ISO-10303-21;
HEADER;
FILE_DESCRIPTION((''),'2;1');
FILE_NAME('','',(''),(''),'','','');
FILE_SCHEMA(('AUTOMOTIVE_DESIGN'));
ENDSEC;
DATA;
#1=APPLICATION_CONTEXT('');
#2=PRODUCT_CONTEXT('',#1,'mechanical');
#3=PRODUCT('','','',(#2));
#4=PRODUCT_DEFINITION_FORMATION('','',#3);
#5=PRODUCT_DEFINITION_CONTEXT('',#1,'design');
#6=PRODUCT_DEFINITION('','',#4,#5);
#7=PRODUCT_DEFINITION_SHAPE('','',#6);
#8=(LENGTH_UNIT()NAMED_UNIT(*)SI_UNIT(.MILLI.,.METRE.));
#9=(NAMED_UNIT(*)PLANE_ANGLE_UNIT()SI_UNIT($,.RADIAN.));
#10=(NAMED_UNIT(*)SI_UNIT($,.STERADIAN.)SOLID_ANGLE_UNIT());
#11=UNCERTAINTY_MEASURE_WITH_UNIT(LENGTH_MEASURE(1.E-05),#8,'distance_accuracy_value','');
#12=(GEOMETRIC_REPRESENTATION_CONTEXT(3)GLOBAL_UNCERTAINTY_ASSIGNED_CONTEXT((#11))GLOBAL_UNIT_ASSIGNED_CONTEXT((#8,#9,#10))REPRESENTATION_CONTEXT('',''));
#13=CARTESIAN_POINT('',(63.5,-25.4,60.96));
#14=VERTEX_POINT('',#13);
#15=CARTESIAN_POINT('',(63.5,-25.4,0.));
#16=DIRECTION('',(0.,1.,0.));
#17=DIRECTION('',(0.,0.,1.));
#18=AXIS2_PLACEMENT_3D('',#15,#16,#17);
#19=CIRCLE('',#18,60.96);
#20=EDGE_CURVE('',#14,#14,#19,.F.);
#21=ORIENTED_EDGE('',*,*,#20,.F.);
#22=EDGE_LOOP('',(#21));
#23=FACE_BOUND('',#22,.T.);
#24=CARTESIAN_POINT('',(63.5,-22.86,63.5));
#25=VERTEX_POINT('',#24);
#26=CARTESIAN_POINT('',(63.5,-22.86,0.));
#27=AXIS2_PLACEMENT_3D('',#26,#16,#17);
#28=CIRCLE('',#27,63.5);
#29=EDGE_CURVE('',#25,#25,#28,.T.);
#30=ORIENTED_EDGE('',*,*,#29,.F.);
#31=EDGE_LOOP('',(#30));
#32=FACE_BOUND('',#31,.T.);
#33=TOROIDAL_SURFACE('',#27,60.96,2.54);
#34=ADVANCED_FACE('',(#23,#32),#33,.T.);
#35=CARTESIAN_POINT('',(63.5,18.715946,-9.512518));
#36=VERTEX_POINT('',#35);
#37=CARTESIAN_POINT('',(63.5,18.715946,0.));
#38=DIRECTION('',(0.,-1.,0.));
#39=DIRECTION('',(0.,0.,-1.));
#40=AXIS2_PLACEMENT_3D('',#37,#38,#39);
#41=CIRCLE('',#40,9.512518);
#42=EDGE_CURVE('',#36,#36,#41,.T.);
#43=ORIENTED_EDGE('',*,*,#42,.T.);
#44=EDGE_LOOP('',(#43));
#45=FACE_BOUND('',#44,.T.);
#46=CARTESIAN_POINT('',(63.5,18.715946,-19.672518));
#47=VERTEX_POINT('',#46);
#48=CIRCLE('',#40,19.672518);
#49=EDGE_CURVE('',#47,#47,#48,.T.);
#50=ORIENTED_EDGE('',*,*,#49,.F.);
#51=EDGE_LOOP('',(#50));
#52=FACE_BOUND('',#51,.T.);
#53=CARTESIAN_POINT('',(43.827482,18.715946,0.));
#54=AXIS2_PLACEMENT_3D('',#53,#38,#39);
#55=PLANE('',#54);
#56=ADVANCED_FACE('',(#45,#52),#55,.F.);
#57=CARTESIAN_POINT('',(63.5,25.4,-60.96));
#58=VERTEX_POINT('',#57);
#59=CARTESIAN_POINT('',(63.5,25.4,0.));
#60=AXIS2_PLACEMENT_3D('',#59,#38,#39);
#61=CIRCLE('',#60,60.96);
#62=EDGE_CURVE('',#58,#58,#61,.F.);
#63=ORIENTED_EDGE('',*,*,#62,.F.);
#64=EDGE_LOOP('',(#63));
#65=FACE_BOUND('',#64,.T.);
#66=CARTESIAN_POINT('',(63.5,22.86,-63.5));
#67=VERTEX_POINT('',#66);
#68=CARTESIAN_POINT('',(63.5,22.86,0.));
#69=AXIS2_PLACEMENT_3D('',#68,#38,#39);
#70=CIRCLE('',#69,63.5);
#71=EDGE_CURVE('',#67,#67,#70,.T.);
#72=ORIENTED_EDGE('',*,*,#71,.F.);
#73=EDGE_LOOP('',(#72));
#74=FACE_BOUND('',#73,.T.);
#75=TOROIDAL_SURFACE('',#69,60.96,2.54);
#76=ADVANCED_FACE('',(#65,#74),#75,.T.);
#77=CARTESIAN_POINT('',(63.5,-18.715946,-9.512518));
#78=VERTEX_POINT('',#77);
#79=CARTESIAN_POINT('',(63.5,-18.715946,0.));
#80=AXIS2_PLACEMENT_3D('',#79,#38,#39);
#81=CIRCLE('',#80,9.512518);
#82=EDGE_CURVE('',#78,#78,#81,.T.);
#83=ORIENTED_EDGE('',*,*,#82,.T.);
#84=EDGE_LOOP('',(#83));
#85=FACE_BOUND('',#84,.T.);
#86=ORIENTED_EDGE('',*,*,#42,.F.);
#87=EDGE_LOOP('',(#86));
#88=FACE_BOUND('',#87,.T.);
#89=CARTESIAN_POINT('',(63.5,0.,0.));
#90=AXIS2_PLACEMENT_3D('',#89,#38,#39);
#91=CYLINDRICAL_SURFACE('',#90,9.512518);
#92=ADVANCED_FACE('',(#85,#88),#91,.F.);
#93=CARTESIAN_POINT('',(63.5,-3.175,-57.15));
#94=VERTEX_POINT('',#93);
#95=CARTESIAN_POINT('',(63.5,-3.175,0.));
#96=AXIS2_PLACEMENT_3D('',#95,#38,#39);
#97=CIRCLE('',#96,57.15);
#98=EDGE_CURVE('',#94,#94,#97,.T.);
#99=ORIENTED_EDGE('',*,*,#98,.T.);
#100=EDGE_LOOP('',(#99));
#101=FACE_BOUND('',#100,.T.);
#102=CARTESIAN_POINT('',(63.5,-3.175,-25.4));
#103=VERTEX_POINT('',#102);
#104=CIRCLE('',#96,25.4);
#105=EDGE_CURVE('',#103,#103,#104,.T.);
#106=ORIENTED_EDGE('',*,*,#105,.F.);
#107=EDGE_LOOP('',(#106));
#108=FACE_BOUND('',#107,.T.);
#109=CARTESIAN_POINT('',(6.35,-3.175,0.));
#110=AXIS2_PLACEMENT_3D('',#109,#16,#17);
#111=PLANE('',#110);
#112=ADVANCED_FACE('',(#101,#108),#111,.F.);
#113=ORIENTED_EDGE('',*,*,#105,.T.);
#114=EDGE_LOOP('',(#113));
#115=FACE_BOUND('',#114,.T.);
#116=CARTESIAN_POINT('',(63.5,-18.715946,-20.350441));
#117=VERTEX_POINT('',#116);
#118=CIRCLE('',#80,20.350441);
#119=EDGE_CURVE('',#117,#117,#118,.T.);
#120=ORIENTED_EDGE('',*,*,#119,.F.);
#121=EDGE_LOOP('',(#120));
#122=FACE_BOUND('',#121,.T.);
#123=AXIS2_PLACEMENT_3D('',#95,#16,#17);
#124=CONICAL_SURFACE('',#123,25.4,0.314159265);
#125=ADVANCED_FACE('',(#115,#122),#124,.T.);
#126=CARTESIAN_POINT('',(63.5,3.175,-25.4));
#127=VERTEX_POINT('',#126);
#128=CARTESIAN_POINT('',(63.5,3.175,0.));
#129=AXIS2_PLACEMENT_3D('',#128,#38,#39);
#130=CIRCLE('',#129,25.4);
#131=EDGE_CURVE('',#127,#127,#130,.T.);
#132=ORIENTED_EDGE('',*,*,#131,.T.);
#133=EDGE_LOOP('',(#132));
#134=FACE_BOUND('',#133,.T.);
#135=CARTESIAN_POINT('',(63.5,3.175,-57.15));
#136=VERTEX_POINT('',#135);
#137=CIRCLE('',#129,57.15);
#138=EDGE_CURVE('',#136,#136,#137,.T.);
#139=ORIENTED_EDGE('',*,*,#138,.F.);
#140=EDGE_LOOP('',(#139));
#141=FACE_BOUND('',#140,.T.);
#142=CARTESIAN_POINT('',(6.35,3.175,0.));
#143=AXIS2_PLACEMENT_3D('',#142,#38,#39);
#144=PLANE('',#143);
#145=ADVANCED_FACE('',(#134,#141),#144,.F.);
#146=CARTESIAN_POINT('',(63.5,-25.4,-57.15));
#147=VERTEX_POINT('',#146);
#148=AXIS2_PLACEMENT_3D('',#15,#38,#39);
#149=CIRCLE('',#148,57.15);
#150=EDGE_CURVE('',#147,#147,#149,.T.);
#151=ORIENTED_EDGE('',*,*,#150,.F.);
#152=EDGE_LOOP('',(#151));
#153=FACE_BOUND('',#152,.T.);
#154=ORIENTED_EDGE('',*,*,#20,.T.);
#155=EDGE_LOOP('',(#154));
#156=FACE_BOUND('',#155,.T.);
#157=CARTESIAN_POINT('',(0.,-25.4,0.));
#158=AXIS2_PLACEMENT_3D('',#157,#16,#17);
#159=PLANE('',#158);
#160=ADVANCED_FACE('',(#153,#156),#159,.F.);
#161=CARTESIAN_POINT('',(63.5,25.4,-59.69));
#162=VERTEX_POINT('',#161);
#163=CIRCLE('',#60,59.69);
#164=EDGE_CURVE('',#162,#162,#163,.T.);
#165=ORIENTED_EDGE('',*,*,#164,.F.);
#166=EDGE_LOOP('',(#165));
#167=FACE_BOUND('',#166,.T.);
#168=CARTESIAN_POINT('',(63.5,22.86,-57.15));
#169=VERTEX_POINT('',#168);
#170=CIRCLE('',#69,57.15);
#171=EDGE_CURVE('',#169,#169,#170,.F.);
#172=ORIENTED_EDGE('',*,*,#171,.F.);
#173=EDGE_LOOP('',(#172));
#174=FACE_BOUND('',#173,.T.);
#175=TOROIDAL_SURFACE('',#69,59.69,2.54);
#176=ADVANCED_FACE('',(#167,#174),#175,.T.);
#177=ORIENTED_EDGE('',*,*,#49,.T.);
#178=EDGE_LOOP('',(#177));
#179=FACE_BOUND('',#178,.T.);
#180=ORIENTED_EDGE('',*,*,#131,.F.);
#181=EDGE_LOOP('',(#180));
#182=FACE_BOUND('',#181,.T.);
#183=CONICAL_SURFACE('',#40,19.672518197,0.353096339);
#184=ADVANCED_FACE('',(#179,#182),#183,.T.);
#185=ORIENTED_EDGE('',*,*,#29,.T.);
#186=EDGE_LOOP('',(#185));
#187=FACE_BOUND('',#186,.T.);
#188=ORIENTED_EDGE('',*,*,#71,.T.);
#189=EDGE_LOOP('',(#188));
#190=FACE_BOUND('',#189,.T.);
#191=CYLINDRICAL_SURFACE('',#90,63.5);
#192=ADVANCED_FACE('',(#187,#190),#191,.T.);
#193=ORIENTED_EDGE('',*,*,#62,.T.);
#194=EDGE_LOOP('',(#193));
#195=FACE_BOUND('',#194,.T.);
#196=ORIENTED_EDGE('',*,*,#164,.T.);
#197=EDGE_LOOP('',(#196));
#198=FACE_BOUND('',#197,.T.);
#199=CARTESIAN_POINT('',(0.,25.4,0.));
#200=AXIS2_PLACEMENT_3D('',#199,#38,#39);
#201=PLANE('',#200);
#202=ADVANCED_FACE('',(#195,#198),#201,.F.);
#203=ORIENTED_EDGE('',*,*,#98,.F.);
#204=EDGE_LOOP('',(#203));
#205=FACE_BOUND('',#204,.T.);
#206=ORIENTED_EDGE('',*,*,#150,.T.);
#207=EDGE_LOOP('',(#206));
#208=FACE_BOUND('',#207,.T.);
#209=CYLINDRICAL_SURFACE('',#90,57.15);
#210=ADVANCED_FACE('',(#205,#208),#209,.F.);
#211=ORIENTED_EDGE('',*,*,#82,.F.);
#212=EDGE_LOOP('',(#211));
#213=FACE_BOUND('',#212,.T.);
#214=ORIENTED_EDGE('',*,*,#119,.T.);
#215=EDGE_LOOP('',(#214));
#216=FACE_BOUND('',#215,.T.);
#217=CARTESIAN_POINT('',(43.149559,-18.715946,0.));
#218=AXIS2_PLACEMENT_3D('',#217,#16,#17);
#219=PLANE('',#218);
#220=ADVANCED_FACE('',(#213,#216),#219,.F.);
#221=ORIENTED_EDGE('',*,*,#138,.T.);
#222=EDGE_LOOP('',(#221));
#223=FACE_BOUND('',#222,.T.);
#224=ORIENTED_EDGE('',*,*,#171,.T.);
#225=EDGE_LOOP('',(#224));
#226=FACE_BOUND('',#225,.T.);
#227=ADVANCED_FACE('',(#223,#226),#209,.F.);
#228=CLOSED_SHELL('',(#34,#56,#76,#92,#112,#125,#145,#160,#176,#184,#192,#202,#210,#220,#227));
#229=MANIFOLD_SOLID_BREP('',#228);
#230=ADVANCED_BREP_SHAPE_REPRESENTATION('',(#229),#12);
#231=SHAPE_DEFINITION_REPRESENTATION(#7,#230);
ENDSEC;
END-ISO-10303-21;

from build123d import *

# Parameters (mm, degrees)
FILLET1_R = 2.54


with BuildPart() as part:
    # Sketch1 → Revolve2 (revolve)
    with BuildSketch(Plane.XY):
        Polygon((0, -25.4), (0, 25.4), (6.35, 25.4), (6.35, 3.175), (38.1, 3.175), (43.827481803, 18.715945904), (53.987481803, 18.715945904), (53.987481803, -18.715945904), (43.149559422, -18.715945904), (38.1, -3.175), (6.35, -3.175), (6.35, -25.4), align=None)
    revolve(axis=Axis((63.5, 0, 0), (0, 1, 0)))

    # Fillet1
    fillet1_edges = [part.edges().sort_by_distance(p)[0] for p in [
        (120.65, 25.4, 0),
        (127, 25.4, 0),
        (127, -25.4, 0),
    ]]
    fillet(fillet1_edges, radius=FILLET1_R)


solid = part.part
